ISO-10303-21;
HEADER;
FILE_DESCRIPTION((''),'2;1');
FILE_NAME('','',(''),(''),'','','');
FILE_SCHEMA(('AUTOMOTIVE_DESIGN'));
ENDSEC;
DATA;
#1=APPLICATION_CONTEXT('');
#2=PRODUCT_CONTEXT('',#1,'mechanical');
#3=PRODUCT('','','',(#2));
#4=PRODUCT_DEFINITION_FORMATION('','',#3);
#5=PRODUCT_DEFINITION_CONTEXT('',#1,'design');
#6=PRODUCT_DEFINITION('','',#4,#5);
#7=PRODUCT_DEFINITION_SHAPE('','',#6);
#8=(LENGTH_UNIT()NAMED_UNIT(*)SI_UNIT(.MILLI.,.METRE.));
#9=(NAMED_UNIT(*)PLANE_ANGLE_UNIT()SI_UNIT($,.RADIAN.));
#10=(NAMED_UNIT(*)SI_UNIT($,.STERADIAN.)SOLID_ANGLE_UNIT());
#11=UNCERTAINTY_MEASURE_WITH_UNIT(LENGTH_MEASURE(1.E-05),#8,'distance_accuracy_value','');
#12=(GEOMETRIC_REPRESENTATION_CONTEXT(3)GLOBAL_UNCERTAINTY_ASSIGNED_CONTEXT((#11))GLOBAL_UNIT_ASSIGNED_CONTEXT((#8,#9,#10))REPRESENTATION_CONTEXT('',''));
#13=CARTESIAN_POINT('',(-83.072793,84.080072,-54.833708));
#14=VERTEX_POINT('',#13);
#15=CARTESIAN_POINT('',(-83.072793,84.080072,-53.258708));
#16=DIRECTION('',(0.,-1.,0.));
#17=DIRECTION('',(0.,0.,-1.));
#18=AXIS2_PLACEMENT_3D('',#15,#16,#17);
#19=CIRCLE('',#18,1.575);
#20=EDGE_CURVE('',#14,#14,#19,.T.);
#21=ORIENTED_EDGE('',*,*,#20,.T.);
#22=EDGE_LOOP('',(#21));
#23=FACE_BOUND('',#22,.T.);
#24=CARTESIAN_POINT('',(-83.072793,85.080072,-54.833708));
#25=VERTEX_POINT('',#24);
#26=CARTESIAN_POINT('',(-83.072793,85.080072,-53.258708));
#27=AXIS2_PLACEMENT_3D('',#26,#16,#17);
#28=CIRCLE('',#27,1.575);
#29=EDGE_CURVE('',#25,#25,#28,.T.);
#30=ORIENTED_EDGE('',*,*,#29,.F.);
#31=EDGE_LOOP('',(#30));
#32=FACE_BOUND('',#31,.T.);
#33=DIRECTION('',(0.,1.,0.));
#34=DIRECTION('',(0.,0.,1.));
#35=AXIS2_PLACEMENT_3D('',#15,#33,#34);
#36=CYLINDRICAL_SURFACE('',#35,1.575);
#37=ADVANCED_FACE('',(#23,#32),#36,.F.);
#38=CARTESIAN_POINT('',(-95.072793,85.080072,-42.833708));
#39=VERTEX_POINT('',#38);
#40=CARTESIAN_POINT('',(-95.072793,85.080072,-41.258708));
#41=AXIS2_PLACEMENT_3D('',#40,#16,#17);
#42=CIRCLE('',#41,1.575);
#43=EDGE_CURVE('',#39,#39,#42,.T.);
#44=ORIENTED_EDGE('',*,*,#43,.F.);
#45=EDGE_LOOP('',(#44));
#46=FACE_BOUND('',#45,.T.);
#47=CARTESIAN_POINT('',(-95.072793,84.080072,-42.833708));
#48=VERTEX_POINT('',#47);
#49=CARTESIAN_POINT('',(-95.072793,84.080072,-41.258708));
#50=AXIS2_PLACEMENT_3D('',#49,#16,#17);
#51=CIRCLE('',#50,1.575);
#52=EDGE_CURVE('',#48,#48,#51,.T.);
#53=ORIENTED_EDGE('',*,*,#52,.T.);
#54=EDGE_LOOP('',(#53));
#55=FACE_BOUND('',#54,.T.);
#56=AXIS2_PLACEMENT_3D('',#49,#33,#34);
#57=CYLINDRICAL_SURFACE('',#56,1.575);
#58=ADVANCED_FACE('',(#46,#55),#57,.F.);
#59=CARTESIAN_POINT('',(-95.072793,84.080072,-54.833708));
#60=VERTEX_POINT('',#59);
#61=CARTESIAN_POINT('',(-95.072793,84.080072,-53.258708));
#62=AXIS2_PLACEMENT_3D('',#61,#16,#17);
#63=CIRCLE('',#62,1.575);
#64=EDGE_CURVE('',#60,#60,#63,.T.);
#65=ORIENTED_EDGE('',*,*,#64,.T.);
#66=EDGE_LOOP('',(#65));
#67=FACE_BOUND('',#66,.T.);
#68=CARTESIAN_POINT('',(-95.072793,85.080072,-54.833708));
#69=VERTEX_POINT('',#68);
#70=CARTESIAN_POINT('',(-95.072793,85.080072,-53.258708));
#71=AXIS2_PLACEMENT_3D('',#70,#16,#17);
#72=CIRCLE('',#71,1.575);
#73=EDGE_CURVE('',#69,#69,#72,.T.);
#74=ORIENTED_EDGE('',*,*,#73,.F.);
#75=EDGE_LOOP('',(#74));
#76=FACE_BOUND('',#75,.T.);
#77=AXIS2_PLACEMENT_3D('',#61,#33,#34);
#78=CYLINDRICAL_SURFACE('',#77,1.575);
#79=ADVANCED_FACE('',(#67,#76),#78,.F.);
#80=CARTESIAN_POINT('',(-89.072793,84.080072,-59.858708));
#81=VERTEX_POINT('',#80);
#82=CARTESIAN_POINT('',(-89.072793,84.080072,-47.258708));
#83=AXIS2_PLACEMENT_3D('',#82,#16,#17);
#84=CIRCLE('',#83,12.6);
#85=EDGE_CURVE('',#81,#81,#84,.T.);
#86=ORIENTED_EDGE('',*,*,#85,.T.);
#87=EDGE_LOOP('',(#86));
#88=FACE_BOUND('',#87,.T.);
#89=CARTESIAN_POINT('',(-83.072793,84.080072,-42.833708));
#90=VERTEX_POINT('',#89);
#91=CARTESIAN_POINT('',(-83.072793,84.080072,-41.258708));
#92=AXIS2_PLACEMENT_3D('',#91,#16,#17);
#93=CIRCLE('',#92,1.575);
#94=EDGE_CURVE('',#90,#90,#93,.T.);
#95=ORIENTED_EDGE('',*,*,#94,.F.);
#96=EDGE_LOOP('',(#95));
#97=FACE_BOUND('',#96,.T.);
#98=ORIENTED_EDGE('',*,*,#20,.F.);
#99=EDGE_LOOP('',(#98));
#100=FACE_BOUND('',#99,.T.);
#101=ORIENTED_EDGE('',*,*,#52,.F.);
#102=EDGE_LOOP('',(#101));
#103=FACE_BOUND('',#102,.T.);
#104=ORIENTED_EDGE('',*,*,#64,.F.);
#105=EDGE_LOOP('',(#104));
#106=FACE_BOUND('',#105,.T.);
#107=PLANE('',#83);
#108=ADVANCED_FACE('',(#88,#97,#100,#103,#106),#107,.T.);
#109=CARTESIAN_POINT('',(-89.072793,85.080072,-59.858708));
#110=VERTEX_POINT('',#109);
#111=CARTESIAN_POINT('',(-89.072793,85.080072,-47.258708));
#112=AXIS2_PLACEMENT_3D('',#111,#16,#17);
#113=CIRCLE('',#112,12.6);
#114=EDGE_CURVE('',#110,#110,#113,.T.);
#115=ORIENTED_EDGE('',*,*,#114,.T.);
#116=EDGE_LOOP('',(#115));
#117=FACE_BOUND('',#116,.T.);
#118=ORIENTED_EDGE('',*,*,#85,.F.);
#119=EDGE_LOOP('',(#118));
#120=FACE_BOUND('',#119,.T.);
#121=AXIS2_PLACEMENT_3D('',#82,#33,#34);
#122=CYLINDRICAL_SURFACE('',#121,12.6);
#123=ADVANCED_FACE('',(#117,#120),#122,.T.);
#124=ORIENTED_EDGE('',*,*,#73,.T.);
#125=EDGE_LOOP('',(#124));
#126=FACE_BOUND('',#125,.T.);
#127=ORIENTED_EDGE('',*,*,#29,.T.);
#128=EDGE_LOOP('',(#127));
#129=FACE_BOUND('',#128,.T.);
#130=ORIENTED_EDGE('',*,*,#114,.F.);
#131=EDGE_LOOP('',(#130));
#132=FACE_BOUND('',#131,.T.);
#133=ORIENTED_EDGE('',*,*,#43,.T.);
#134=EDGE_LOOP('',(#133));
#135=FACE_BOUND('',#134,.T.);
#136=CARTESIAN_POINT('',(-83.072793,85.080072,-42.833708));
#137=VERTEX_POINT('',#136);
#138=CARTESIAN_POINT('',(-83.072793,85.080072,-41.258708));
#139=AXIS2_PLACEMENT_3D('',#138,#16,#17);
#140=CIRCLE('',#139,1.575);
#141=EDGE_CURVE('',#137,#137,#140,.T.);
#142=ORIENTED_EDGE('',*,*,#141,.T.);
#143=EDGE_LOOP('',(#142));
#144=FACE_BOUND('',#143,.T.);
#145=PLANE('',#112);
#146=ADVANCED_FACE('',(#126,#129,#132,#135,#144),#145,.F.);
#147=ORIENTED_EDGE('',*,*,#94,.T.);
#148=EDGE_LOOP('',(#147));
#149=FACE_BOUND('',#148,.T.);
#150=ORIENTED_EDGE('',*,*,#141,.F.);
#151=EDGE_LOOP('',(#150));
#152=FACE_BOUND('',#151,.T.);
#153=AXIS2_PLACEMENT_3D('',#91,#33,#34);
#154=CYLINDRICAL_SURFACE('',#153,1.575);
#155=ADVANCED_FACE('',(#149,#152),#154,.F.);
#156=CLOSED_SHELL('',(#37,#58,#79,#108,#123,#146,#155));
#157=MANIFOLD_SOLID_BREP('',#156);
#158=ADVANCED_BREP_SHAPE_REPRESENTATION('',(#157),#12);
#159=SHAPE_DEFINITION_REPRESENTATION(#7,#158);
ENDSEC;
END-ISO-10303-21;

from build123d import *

# Parameters (mm, degrees)
SKETCH1_R           = 12.6
SKETCH1_R_2         = 1.575
BOSS_EXTRUDE1_DEPTH = 1


with BuildPart() as part:
    # Sketch1 → Boss-Extrude1 (new body)
    with BuildSketch(Plane.XZ.offset(-85.080072415)):
        with Locations(Location((-89.072792821, -47.25870832, 0), (0, 0, 270))):
            Circle(SKETCH1_R)
        with Locations(Location((-95.072792821, -41.25870832, 0), (0, 0, 270))):
            Circle(SKETCH1_R_2, mode=Mode.SUBTRACT)
        with Locations(Location((-83.072792821, -41.25870832, 0), (0, 0, 270))):
            Circle(SKETCH1_R_2, mode=Mode.SUBTRACT)
        with Locations(Location((-83.072792821, -53.25870832, 0), (0, 0, 270))):
            Circle(SKETCH1_R_2, mode=Mode.SUBTRACT)
        with Locations(Location((-95.072792821, -53.25870832, 0), (0, 0, 270))):
            Circle(SKETCH1_R_2, mode=Mode.SUBTRACT)
    extrude(amount=BOSS_EXTRUDE1_DEPTH)


solid = part.part
